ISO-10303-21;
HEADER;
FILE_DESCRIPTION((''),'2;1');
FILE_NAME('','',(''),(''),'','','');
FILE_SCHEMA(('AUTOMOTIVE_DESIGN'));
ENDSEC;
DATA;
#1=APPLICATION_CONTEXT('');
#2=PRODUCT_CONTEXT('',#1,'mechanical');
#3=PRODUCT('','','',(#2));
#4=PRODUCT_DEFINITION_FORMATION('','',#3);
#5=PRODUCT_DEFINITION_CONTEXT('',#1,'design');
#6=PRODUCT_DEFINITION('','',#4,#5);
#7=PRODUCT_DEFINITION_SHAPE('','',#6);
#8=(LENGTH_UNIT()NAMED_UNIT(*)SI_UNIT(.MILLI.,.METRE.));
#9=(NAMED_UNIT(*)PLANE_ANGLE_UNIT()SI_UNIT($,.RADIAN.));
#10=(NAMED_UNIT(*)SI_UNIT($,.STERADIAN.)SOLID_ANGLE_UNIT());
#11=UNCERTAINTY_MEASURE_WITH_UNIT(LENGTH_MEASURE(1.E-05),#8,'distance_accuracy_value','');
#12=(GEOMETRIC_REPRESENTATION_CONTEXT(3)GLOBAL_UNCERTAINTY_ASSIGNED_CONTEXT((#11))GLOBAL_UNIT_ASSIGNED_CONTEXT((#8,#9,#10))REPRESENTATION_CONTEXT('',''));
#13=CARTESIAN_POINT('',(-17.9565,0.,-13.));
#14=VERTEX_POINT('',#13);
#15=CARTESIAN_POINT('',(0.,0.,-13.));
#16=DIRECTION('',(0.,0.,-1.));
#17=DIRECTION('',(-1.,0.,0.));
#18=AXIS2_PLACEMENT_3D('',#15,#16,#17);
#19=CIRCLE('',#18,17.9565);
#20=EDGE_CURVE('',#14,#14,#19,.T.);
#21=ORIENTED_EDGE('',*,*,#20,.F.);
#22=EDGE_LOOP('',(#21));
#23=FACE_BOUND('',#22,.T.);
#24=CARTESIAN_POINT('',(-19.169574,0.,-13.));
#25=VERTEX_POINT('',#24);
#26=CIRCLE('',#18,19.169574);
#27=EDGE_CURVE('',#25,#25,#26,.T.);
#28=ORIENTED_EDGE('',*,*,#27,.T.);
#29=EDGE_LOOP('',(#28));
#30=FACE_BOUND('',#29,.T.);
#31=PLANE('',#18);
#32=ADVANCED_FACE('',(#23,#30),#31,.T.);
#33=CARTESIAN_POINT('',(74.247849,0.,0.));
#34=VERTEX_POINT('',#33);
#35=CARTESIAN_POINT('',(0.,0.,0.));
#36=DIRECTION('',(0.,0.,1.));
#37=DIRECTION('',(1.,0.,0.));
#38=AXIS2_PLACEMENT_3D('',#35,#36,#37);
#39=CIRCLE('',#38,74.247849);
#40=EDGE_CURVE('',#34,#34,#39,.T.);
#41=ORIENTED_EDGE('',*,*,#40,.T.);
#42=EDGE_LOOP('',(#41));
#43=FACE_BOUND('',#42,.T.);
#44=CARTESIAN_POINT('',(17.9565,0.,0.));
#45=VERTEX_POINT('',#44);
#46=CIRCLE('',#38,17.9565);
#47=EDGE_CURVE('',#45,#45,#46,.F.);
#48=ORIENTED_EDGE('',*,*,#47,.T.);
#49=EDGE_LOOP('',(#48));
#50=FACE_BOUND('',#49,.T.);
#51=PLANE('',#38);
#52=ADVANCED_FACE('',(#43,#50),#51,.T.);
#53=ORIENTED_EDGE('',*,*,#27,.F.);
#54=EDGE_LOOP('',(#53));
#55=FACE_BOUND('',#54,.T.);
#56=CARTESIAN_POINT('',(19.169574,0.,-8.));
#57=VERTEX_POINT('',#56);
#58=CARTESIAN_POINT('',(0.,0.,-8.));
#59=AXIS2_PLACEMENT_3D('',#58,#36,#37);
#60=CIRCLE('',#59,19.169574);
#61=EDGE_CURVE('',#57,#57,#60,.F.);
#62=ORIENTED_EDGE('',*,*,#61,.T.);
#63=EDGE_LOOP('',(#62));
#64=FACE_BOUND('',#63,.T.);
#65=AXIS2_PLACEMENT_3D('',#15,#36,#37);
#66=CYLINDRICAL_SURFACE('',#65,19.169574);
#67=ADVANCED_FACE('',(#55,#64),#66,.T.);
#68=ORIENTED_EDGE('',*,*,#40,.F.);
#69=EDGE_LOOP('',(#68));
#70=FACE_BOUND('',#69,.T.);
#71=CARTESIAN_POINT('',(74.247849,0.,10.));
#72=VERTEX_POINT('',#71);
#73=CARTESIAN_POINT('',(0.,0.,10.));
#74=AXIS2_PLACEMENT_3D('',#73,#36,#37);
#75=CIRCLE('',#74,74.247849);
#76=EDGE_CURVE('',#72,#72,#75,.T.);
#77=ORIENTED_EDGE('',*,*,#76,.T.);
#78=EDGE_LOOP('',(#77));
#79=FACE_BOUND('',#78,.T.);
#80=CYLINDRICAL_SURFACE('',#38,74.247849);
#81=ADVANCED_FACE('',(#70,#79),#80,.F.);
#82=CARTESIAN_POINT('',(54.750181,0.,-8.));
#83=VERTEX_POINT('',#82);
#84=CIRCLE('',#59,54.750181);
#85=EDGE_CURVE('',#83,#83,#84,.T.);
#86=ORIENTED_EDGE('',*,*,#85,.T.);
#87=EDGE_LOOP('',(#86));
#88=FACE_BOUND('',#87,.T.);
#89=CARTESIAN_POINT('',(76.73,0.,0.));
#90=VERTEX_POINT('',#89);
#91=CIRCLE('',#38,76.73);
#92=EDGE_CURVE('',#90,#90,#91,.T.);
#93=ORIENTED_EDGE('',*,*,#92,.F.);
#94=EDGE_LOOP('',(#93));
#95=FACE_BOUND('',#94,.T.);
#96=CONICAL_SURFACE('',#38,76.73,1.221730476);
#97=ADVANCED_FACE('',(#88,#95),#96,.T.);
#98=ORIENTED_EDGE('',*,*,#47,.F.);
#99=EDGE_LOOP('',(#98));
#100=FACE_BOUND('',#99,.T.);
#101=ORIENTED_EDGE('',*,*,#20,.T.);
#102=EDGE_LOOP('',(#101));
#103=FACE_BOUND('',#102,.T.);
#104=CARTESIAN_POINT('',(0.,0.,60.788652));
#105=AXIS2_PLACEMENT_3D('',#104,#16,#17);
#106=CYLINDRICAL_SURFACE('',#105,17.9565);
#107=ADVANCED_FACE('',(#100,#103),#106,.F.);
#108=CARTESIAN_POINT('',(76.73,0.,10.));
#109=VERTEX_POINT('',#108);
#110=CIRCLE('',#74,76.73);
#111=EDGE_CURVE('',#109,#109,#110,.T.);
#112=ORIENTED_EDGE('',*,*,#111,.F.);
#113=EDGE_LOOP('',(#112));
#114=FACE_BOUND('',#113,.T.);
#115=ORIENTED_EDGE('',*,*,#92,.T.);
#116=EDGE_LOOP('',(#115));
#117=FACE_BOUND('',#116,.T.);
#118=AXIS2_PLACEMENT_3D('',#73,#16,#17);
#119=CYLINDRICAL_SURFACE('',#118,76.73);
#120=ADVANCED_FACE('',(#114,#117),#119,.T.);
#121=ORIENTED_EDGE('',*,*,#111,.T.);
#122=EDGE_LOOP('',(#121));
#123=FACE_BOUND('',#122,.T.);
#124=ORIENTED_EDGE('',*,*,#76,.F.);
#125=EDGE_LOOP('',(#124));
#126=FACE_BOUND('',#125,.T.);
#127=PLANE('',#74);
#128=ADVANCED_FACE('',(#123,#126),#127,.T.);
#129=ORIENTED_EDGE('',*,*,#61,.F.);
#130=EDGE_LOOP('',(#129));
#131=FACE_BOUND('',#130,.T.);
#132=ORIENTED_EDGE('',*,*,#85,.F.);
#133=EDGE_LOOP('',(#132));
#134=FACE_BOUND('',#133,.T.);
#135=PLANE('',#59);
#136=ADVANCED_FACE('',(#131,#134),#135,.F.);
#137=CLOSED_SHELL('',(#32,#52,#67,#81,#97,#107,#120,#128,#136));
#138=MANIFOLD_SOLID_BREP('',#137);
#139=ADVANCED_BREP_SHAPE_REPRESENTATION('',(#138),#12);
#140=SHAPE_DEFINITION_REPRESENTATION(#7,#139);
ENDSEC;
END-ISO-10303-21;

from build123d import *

# Parameters (mm, degrees)
SKETCH1_R                     = 76.73
BOSS_EXTRUDE1_DEPTH           = 10
BOSS_EXTRUDE1_OTHER_WAY_DEPTH = 8
BOSS_EXTRUDE1_OTHER_WAY_TAPER = 70
SKETCH2_R                     = 17.9565
CUT_EXTRUDE1_DEPTH            = 18
SKETCH3_R                     = 74.247849381
CUT_EXTRUDE2_DEPTH            = 10
BOSS_EXTRUDE2_START           = 5
SKETCH4_R                     = 19.169573719
SKETCH4_R_2                   = 17.9565
BOSS_EXTRUDE2_DEPTH           = 5


with BuildPart() as part:
    # Sketch1 → Boss-Extrude1 (new body)
    with BuildSketch(Plane.XY):
        Circle(SKETCH1_R)
    extrude(amount=BOSS_EXTRUDE1_DEPTH)

    # Sketch1 → Boss-Extrude1 other way (add)
    with BuildSketch(Plane.XY):
        Circle(SKETCH1_R)
    extrude(amount=-BOSS_EXTRUDE1_OTHER_WAY_DEPTH, taper=BOSS_EXTRUDE1_OTHER_WAY_TAPER)

    # Sketch2 → Cut-Extrude1 (cut)
    with BuildSketch(Plane(origin=(0, 0, -8), x_dir=(-1, 0, 0), z_dir=(0, 0, -1))):
        Circle(SKETCH2_R)
    extrude(amount=-CUT_EXTRUDE1_DEPTH, mode=Mode.SUBTRACT)

    # Sketch3 → Cut-Extrude2 (cut)
    with BuildSketch(Plane.XY.offset(10)):
        Circle(SKETCH3_R)
    extrude(amount=-CUT_EXTRUDE2_DEPTH, mode=Mode.SUBTRACT)

    # Sketch4 → Boss-Extrude2 (add)
    with BuildSketch(Plane(origin=(0, 0, -8), x_dir=(-1, 0, 0), z_dir=(0, 0, -1)).offset(BOSS_EXTRUDE2_START)):
        with Locations(Location((0, 0, 0), (0, 0, 180))):
            Circle(SKETCH4_R)
        Circle(SKETCH4_R_2, mode=Mode.SUBTRACT)
    extrude(amount=-BOSS_EXTRUDE2_DEPTH)


solid = part.part
